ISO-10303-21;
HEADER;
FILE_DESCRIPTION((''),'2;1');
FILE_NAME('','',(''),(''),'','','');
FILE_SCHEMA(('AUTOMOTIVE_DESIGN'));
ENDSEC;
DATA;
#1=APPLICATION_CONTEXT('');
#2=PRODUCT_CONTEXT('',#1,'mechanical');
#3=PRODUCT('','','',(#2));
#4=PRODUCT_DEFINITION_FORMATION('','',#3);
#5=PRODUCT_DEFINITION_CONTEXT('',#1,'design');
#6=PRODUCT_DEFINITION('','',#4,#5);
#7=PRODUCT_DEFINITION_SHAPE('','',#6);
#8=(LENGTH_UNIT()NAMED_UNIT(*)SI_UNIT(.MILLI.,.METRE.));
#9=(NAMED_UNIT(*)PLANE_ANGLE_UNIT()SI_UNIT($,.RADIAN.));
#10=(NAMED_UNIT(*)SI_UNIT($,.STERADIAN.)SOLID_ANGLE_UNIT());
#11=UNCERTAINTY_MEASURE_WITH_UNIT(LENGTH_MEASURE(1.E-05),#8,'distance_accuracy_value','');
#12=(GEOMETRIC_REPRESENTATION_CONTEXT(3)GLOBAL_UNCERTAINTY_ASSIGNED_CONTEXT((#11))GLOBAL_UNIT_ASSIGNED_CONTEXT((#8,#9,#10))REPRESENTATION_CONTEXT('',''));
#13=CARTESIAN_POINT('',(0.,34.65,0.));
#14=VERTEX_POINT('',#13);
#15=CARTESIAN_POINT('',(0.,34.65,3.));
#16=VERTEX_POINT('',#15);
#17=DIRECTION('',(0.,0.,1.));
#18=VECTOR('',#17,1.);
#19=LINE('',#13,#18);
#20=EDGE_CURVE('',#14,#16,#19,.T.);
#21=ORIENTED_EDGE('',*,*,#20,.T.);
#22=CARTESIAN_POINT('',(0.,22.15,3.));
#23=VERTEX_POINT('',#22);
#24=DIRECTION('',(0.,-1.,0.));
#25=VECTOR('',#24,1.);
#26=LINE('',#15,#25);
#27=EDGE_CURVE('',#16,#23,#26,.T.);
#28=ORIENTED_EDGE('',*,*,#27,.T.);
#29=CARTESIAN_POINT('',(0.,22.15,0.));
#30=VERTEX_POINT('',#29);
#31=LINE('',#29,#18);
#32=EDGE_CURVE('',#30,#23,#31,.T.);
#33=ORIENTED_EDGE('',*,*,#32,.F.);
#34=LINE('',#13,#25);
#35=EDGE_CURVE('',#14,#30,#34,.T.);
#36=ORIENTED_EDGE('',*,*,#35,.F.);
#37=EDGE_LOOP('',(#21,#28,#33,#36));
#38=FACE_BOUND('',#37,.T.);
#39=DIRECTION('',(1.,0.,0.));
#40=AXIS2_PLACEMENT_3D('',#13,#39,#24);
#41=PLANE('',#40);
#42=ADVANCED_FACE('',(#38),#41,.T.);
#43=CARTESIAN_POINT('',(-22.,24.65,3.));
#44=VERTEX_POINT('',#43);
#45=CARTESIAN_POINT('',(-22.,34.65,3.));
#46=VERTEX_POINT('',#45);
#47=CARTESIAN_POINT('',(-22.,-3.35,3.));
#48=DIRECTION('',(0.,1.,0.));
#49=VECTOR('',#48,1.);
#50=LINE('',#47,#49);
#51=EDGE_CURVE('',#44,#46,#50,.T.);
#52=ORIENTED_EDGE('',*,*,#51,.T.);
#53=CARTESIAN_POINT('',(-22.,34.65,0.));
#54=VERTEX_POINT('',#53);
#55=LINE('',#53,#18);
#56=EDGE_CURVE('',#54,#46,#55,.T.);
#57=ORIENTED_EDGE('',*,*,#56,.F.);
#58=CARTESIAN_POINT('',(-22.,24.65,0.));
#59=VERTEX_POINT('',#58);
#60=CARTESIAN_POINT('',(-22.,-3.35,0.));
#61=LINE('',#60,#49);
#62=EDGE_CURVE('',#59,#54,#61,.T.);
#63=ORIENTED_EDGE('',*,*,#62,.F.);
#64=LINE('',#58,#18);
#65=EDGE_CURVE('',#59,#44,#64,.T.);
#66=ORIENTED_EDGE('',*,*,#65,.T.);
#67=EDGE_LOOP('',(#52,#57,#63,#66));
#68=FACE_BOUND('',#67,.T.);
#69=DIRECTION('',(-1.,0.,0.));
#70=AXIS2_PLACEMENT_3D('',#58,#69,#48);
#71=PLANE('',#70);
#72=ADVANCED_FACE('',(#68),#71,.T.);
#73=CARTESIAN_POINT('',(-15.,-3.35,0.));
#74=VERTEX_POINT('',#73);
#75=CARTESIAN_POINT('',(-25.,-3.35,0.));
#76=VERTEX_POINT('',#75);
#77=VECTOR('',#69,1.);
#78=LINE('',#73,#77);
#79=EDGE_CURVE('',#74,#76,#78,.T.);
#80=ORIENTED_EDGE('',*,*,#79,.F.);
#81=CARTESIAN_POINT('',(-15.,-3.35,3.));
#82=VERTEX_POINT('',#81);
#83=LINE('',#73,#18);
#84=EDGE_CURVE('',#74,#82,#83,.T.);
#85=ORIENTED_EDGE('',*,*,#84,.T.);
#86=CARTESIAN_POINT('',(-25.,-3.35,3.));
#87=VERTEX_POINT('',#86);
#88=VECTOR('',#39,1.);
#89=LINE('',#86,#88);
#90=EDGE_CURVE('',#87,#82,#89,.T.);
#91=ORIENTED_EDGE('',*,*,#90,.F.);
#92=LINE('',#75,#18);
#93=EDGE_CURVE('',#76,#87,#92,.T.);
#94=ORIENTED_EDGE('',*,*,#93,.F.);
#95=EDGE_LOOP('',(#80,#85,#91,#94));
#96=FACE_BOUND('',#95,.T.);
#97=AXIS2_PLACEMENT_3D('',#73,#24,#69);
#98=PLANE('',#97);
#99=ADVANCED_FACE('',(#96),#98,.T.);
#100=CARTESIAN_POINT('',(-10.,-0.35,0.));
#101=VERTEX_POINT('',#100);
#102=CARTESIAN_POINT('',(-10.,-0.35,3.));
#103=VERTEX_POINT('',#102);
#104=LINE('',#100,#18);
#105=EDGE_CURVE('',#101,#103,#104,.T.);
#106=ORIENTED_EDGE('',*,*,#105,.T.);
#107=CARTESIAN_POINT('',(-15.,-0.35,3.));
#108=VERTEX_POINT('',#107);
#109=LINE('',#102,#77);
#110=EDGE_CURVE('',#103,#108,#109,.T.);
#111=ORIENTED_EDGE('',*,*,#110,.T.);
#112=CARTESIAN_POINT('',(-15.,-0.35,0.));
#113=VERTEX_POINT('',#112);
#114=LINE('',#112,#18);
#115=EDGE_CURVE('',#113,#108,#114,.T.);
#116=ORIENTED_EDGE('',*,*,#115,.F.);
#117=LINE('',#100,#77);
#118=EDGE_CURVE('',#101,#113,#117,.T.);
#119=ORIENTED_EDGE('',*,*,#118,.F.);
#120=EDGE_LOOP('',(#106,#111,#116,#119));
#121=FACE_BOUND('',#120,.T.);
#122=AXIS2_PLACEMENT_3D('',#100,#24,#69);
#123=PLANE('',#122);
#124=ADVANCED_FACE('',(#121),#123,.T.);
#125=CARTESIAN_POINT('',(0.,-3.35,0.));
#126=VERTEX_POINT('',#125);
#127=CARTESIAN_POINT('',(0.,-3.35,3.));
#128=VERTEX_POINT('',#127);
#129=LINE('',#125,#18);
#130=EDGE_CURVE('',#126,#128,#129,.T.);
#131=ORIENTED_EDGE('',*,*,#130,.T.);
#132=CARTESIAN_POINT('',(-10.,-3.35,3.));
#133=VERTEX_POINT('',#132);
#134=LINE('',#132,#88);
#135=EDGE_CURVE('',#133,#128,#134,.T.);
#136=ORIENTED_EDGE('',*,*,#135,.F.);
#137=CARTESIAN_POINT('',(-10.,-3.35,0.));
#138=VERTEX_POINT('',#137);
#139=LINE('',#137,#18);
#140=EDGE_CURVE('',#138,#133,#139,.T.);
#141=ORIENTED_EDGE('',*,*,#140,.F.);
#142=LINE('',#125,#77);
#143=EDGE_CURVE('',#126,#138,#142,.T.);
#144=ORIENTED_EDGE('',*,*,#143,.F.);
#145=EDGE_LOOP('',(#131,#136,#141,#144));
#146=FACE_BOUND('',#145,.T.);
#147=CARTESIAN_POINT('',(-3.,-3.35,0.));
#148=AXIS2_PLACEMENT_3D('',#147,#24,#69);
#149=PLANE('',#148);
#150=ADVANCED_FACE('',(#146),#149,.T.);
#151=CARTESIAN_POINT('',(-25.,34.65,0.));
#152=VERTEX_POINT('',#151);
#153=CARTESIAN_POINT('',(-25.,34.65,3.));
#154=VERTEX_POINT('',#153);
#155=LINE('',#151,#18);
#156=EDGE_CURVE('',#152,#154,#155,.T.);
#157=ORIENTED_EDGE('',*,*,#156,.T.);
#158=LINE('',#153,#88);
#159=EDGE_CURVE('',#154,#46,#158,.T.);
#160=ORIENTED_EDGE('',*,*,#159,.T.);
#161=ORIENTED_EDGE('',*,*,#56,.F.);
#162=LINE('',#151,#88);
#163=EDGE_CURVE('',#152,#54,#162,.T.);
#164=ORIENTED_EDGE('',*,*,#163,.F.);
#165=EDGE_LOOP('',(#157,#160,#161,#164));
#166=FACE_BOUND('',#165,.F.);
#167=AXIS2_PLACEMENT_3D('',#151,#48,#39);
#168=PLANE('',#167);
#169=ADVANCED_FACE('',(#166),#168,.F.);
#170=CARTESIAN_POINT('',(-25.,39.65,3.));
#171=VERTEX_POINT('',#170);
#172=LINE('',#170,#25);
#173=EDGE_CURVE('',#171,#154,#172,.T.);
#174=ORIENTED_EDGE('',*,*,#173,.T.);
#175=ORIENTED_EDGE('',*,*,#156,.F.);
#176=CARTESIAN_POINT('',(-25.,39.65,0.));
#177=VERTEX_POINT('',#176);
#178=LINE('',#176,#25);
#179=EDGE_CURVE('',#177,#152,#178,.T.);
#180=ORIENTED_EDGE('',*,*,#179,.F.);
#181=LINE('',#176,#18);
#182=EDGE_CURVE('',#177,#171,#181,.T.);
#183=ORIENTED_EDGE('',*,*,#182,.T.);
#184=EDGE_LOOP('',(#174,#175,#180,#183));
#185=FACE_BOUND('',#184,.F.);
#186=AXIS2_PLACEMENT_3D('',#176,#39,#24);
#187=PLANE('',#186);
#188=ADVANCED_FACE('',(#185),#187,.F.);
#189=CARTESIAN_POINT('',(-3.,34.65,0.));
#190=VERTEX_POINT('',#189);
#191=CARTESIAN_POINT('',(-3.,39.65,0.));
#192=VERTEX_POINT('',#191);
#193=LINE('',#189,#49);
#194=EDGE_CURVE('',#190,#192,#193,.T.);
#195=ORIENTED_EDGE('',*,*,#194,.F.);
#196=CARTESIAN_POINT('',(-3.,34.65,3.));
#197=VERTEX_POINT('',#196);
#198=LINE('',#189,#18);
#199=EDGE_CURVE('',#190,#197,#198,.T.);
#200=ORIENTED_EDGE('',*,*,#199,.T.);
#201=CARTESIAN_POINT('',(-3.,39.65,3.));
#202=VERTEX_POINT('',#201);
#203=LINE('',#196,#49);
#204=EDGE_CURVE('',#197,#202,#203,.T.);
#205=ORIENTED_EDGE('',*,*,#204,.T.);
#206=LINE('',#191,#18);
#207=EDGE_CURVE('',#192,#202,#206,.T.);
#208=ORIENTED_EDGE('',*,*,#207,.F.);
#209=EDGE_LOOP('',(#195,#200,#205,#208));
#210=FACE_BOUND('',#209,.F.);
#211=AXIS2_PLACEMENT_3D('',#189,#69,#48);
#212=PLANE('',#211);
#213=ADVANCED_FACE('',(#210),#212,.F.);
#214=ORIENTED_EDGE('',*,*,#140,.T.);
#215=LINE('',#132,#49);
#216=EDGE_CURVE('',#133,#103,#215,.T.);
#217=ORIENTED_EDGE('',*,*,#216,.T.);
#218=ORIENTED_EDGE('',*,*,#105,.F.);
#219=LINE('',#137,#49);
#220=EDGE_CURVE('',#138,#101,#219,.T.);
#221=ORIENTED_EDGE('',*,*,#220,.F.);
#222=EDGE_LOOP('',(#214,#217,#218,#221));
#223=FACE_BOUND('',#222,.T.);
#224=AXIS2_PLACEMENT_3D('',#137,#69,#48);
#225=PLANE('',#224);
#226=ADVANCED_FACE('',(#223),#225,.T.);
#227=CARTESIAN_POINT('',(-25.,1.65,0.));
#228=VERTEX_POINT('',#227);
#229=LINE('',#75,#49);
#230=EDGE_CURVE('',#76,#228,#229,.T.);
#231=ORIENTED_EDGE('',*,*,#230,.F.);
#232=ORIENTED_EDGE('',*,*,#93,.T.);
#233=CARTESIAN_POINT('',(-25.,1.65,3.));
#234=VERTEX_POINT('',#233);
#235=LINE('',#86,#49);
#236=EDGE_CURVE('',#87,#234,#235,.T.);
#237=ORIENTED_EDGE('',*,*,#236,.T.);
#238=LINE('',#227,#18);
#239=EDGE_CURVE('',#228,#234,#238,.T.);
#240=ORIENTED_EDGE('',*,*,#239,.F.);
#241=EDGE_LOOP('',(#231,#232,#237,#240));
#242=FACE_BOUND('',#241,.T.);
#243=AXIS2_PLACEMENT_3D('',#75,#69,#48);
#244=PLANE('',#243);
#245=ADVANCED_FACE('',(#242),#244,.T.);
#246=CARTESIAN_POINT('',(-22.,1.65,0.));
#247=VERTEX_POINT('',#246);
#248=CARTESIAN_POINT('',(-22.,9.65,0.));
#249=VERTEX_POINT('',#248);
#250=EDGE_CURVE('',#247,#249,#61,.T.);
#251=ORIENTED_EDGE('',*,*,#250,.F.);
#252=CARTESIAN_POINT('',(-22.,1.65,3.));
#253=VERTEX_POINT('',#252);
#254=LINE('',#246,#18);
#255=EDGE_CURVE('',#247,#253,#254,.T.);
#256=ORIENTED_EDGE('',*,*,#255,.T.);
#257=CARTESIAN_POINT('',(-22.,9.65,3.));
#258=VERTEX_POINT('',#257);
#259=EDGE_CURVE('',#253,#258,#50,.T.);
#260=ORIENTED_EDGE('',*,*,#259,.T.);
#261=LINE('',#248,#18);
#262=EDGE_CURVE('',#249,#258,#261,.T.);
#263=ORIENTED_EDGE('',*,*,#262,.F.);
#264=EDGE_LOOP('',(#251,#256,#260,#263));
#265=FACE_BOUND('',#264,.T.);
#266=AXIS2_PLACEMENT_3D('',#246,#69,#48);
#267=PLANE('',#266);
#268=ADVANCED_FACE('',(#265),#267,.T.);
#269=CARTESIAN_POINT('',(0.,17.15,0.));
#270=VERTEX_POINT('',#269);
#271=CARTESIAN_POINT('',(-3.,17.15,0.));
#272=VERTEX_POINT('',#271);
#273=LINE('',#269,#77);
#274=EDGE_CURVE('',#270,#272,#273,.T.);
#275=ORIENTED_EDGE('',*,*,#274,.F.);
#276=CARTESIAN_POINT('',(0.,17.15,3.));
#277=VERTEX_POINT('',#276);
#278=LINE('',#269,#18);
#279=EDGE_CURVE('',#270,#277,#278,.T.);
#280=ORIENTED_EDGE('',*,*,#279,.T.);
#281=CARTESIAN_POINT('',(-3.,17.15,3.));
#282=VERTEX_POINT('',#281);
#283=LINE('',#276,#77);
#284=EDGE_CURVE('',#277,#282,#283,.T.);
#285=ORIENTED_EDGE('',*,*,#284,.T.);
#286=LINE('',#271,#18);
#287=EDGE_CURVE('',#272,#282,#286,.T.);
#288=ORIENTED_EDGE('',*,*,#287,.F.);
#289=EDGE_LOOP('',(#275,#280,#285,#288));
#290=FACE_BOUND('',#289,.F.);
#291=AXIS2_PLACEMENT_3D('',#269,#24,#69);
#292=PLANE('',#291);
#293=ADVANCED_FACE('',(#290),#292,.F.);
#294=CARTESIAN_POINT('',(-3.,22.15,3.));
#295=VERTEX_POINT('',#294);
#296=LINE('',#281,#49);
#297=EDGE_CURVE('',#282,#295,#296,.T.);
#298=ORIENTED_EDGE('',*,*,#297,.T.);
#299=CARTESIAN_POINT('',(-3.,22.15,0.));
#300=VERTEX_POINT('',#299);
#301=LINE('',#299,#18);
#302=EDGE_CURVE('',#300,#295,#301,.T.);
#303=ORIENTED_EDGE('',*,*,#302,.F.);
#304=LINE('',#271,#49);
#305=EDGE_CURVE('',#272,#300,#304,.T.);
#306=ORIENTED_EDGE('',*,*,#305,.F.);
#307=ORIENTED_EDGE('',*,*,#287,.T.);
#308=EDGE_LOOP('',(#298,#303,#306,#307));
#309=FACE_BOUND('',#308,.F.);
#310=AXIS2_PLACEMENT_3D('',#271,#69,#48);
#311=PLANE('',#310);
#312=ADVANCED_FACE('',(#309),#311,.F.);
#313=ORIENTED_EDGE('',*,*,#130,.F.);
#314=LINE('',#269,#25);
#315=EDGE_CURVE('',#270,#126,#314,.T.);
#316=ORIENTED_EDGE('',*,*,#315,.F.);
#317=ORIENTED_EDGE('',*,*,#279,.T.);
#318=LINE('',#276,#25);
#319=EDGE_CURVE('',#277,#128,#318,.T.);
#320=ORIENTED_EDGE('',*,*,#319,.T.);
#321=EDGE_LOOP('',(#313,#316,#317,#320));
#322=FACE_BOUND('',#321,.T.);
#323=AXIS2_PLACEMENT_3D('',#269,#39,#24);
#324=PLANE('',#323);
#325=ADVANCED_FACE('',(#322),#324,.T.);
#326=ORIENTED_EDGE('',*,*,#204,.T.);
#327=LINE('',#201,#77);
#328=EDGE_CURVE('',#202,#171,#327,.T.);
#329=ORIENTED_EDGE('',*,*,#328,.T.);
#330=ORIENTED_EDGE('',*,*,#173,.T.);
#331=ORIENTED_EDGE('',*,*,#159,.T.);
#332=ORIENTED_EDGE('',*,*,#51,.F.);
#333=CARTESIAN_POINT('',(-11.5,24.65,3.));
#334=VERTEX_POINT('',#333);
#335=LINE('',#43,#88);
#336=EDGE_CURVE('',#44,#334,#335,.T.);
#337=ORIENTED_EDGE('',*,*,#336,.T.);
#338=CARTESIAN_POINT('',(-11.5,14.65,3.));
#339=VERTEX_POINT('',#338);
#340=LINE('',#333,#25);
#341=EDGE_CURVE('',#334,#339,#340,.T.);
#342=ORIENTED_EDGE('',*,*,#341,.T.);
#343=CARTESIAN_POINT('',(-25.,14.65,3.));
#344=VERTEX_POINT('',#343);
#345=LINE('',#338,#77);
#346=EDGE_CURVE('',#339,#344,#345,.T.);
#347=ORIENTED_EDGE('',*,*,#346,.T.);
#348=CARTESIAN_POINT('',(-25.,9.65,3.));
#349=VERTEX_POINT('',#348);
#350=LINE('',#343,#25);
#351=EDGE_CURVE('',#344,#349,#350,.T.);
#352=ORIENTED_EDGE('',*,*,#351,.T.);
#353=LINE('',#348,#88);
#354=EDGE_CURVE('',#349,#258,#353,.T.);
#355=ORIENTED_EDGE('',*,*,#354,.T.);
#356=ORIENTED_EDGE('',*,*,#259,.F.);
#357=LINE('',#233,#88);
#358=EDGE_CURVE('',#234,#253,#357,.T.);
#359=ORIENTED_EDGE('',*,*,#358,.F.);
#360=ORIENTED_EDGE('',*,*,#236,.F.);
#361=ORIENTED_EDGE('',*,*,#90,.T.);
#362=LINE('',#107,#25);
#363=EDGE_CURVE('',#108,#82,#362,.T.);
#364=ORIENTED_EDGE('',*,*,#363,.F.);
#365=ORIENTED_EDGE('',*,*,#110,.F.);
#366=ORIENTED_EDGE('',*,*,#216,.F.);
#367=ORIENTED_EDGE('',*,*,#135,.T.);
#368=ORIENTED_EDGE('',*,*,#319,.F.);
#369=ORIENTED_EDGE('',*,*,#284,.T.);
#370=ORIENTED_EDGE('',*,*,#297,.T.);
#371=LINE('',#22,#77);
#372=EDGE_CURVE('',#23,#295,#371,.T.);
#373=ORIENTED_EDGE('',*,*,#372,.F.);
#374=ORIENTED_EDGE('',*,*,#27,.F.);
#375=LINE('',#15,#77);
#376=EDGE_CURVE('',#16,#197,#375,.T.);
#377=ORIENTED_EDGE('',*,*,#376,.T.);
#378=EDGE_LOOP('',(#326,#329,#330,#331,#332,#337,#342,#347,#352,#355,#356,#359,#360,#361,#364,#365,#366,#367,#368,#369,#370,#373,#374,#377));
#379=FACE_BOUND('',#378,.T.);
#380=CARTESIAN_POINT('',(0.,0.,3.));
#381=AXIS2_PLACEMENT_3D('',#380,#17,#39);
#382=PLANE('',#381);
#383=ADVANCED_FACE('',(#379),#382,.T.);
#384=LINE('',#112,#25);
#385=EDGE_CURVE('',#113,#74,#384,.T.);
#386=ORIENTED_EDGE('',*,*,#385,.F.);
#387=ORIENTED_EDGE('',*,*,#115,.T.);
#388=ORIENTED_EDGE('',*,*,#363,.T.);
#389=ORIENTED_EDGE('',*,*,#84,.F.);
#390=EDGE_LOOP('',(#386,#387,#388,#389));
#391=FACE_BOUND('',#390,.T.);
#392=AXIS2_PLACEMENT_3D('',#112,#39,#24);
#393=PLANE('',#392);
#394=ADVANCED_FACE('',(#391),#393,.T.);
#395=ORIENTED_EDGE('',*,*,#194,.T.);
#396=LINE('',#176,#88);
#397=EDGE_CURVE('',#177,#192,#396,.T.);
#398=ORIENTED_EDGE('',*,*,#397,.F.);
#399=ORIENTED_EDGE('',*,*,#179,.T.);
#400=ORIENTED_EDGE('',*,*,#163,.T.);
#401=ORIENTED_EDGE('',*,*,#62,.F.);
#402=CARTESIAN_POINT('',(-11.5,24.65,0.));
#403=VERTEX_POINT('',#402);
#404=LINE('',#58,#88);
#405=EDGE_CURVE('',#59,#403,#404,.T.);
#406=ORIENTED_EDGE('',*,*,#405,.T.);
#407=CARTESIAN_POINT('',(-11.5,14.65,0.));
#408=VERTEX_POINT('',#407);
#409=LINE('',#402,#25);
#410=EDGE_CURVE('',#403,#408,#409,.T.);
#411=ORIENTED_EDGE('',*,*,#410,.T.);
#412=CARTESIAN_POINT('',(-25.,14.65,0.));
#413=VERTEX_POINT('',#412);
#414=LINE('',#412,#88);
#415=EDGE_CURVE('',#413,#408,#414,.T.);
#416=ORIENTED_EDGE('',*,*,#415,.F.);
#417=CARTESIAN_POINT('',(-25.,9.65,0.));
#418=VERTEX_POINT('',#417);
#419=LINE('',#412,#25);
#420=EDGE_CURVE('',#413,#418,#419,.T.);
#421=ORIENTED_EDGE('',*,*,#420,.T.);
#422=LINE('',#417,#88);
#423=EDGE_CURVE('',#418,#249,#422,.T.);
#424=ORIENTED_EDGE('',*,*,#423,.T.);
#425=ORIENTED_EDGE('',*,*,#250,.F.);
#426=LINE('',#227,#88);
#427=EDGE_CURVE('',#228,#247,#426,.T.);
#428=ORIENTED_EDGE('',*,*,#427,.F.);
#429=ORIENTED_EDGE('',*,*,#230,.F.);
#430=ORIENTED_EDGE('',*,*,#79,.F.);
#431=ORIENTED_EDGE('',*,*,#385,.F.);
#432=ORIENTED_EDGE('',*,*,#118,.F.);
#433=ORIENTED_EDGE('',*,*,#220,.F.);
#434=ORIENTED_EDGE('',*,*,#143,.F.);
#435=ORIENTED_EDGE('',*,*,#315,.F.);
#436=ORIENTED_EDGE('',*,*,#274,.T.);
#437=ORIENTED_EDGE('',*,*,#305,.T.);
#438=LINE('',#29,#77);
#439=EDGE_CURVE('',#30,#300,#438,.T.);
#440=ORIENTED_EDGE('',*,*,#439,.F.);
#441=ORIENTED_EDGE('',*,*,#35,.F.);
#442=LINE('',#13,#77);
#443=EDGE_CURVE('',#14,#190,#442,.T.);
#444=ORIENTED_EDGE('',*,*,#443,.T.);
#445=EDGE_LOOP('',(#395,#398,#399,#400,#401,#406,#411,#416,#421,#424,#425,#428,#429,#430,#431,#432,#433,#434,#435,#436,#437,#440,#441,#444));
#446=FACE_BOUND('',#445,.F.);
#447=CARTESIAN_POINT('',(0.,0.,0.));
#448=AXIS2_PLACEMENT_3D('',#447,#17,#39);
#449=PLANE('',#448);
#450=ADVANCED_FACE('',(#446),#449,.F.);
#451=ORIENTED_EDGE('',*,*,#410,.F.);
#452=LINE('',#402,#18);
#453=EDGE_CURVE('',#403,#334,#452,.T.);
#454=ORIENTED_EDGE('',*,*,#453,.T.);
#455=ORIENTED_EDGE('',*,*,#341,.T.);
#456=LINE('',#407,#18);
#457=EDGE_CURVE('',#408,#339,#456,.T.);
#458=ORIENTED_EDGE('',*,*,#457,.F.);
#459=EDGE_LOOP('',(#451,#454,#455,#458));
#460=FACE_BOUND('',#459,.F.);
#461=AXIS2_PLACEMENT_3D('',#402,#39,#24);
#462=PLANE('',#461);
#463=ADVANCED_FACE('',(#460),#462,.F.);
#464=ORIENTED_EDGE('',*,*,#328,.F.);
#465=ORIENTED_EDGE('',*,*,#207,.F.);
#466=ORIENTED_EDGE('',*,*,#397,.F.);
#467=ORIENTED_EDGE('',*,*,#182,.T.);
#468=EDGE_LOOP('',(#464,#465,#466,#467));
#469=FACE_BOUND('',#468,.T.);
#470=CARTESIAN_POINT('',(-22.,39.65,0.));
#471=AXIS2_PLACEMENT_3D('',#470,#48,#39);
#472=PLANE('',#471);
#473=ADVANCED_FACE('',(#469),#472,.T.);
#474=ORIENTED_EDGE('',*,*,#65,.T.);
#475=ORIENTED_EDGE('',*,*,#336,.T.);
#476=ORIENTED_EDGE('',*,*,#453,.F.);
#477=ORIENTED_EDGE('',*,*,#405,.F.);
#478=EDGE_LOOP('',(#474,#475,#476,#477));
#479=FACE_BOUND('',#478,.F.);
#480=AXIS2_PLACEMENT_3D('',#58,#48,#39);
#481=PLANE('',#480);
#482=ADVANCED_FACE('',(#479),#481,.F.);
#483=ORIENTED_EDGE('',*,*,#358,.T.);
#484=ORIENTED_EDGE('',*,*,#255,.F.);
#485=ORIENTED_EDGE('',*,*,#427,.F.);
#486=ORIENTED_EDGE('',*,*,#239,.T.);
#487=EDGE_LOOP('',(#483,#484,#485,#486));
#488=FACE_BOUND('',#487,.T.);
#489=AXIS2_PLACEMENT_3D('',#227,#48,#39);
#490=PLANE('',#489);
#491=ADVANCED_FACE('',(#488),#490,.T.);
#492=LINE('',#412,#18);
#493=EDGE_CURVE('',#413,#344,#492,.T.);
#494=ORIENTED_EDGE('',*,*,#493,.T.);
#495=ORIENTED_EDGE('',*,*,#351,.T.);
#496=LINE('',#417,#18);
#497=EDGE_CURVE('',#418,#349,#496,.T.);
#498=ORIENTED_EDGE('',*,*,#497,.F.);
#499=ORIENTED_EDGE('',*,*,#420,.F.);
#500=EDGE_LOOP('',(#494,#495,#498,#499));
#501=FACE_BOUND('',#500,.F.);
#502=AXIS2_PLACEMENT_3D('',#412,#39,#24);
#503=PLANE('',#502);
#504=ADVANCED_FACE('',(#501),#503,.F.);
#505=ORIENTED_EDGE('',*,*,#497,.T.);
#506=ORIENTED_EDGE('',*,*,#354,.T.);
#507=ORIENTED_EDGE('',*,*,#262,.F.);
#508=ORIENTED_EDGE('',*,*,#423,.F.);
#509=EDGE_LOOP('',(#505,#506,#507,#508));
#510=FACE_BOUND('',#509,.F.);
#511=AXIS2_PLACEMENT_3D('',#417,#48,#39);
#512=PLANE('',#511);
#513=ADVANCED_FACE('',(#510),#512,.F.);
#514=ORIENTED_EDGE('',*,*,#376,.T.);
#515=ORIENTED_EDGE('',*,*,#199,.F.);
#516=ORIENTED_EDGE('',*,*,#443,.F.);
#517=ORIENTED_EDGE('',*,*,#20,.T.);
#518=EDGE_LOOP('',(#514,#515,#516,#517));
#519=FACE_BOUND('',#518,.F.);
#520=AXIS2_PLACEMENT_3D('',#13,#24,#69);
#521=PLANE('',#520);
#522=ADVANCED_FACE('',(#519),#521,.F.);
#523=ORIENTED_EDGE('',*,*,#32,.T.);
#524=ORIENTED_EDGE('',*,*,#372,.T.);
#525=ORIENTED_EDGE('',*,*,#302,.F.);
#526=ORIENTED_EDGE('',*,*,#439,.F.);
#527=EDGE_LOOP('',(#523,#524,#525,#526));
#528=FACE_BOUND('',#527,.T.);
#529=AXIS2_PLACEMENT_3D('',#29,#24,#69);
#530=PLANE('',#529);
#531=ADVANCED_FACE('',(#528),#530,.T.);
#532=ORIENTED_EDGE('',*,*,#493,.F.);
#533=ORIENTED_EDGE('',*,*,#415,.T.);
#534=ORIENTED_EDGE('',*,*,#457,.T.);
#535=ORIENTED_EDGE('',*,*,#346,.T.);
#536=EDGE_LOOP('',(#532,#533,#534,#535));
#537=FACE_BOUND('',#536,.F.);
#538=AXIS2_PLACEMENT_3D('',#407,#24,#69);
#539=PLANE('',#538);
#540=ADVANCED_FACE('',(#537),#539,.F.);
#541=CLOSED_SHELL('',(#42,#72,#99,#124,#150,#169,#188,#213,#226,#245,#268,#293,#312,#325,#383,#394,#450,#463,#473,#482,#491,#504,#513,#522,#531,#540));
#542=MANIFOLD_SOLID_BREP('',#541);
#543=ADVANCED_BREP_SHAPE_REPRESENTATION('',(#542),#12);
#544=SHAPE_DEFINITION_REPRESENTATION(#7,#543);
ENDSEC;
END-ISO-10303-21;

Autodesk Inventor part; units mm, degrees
ref_plane "YZ Plane" through (0, 0, 0) normal (1, 0, 0) x (0, 1, 0)
ref_plane "XZ Plane" through (0, 0, 0) normal (0, 1, 0) x (-1, 0, 0)
ref_plane "XY Plane" through (0, 0, 0) normal (0, 0, 1) x (1, 0, 0)
sketch "Sketch1" plane through (0, 0, 0) normal (0, 0, 1) x (1, 0, 0)
  line L0 (-3, 22.15) -> (-3, 34.65) projected
  line L1 (-3, 17.15) -> (-3, 22.15) projected
  line L2 (-3, -3.35) -> (-3, 17.15) projected
  line L3 (0, -3.35) -> (-3, -3.35) projected
  line L4 (0, 17.15) -> (0, -3.35) projected
  line L5 (0, 17.15) -> (-3, 17.15) projected
  line L6 (-3, 34.65) -> (-3, 39.65) projected
  line L7 (-3, -3.35) -> (-22, -3.35)
  line L8 (-22, -3.35) -> (-22, 39.65)
  line L9 (-22, 39.65) -> (-3, 39.65)
  line L10 (-22, 39.65) -> (-25, 39.65)
  line L11 (-25, 39.65) -> (-25, 34.65)
  line L12 (-25, 34.65) -> (-22, 34.65)
  line L13 (-22, 34.65) -> (-22, 39.65)
  line L14 (-22, 24.65) -> (-11.5, 24.65)
  line L15 (-11.5, 24.65) -> (-11.5, 14.65)
  line L16 (-11.5, 14.65) -> (-22, 14.65)
  line L17 (-22, 14.65) -> (-25, 14.65)
  line L18 (-25, 14.65) -> (-25, 9.65)
  line L19 (-25, 9.65) -> (-22, 9.65)
  line L20 (-22, 9.65) -> (-22, 14.65)
  line L21 (-22, -3.35) -> (-25, -3.35)
  line L22 (-25, -3.35) -> (-25, 1.65)
  line L23 (-25, 1.65) -> (-22, 1.65)
  line L24 (-22, 1.65) -> (-22, -3.35)
  line L25 (-15, -3.35) -> (-10, -3.35)
  line L26 (-10, -3.35) -> (-10, -0.35)
  line L27 (-10, -0.35) -> (-15, -0.35)
  line L28 (-15, -0.35) -> (-15, -3.35)
  line L29 (-3, 22.15) -> (-3, 34.65) projected
  line L30 (0, 22.15) -> (-3, 22.15) projected
  line L31 (0, 34.65) -> (0, 22.15) projected
  line L32 (0, 34.65) -> (-3, 34.65) projected
  point P0 (-11.5, 19.65)
  point P1 (-3, 19.65)
  point P2 (-12.5, -3.35)
  dimension "d1" = 19
  dimension "d2" = 3
  dimension "d3" = 5
  dimension "d4" = 10
  dimension "d8" = 3
  dimension "d9" = 5
  dimension "d10" = 3
  dimension "d11" = 5
  dimension "d12" = 5
  dimension "d13" = 3
  dimension "d16" = 8.5
extrude "Extrusion1" add sketch "Sketch1" along normal blind 3 contours L1 L2 L7 L26 L27 L28 L8 L16 L15 L14 L9 L6 L0 | L0 L32 L31 L30 | L5 L4 L3 L2 | L8 L12 L11 L10 | L21 L22 L23 L8 | L8 L19 L18 L17
properties part number "SideLeftTopNM" material "Acrylic, Clear"
